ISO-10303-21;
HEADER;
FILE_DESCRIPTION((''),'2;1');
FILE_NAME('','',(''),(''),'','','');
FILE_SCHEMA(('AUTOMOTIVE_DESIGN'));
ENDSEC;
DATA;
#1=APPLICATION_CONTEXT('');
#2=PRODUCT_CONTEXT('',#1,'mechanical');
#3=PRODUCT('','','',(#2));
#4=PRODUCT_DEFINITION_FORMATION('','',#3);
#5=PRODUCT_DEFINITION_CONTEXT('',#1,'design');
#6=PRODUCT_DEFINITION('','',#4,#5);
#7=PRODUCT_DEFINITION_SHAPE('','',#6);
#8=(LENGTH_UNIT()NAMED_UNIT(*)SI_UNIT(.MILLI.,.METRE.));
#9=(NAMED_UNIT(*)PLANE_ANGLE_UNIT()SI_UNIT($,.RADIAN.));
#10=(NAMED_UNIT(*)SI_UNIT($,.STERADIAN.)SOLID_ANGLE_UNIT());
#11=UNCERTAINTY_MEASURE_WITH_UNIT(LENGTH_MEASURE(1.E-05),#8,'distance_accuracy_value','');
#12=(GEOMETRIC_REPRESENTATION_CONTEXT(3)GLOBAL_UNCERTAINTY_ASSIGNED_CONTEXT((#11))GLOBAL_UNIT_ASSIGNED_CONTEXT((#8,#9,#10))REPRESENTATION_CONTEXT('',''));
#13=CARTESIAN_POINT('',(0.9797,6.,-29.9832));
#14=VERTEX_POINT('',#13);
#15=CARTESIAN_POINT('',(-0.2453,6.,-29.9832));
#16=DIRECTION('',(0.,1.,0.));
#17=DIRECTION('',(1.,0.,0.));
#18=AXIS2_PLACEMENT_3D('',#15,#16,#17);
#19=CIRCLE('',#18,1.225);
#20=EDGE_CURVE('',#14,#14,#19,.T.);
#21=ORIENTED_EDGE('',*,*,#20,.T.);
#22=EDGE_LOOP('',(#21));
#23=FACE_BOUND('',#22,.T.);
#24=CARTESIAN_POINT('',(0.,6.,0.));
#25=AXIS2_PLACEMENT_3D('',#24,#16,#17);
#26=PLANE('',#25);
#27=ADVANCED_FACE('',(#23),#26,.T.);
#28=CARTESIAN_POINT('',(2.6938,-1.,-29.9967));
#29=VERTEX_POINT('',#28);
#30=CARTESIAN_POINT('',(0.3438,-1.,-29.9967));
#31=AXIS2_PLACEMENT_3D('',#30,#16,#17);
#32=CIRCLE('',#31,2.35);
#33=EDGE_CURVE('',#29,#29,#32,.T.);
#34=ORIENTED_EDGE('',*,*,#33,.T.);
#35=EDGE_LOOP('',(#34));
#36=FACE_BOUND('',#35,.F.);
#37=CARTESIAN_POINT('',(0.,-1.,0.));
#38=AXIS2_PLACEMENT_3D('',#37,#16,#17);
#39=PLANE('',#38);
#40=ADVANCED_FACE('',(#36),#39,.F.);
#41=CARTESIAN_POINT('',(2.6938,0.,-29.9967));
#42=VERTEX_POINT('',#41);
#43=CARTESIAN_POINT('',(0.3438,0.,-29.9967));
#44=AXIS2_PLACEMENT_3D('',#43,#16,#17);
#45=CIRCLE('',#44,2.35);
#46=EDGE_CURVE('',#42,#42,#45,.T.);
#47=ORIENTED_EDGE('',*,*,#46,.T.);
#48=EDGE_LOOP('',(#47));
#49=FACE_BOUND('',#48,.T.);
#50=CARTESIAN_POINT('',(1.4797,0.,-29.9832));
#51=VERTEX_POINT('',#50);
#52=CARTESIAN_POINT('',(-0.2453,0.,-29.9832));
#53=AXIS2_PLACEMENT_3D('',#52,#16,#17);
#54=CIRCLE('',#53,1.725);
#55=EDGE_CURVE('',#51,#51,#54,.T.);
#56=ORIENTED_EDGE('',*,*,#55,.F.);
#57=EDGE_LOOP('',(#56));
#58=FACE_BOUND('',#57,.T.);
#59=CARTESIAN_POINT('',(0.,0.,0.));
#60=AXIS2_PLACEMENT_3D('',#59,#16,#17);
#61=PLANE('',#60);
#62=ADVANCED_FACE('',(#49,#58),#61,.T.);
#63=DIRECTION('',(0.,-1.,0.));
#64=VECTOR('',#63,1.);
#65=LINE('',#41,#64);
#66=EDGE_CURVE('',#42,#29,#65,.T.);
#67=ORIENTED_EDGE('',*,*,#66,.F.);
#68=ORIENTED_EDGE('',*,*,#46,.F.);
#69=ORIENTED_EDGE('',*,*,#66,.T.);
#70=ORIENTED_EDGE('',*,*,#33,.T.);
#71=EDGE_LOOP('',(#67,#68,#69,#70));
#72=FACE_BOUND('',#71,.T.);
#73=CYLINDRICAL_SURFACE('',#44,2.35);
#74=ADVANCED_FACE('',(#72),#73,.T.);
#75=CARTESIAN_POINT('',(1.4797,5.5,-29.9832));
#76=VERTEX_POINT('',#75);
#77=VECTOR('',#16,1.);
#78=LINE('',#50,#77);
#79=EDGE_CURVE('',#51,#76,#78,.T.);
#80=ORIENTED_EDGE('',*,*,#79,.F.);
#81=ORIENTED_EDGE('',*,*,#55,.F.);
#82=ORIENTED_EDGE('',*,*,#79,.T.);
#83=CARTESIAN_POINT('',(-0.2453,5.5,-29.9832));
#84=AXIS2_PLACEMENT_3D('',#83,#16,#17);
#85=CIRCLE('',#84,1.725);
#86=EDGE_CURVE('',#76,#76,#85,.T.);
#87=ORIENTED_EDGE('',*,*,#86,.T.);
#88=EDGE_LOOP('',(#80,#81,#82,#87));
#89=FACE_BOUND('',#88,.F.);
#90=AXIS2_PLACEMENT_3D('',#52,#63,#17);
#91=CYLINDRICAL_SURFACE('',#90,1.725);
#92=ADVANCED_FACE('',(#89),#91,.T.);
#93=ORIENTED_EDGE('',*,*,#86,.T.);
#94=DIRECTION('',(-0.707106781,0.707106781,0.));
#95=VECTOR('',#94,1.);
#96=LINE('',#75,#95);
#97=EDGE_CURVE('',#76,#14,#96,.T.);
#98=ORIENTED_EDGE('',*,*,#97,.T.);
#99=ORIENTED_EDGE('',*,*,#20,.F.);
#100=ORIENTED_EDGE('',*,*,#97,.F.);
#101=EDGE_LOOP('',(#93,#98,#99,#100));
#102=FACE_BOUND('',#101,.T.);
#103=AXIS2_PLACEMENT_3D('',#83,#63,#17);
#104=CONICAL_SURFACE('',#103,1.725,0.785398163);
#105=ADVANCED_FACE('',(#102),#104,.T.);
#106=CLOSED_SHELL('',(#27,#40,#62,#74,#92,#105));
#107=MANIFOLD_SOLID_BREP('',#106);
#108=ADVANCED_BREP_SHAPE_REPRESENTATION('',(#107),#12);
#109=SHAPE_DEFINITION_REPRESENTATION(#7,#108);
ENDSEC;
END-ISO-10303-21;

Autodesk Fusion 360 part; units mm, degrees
sketch "Sketch1" plane through (0, 0, 0) normal (1, 0, 0) x (0, 0, -1)
  circle A0 centre (0, 0) radius 21.5
  line L0 (19.85, -10.1) -> (-19.85, -10.1)
  line L1 (-19.85, -10.1) -> (-19.85, 10.1)
  line L2 (-19.85, 10.1) -> (19.85, 10.1)
  line L3 (19.85, 10.1) -> (19.85, -10.1)
  line L4 (19.85, -10.1) -> (-19.85, 10.1) construction
  line L5 (-19.85, -10.1) -> (19.85, 10.1) construction
  circle A1 centre (0, 0) radius 24
  line L6 (10.25, -26.5) -> (-10.25, -26.5)
  line L7 (-10.25, -26.5) -> (-10.25, 26.5)
  line L8 (-10.25, 26.5) -> (10.25, 26.5)
  line L9 (10.25, 26.5) -> (10.25, -26.5)
  line L10 (10.25, -26.5) -> (-10.25, 26.5) construction
  line L11 (-10.25, -26.5) -> (10.25, 26.5) construction
  line L12 (-10.25, 16.5) -> (10.25, 16.5)
  line L13 (-10.25, -16.5) -> (10.25, -16.5)
  dimension "CaseInnerDiameter" = 43
  dimension "BatteryLength" = 39.7
  dimension "BatteryWidth" = 20.2
  dimension "CaseWallThickness" = 2.5
  dimension "LugWidth" = 20.5
  dimension "StrapCutout" = 53
  dimension "UpperLugInset" = 10
  dimension "LowerLugInset" = 10
sketch "Sketch19" plane through (0, 0, 0) normal (0, 1, 0) x (1, 0, 0)
  circle A0 centre (-0.2453, 29.9832) radius 1.725
  circle A1 centre (0.3438, 29.9967) radius 2.35
  dimension "d142" = 3.45
  dimension "d145" = 4.7
extrude "Extrude28" add sketch "Sketch19" against normal blind 1 contours A0 | A1 makes body 1
extrude "Extrude27" add sketch "Sketch19" along normal blind 6 separate body contours A0 makes body 2
combine "Combine3" operation add target body 1 tool bodies 2
chamfer "Chamfer9" distance 0.5 angle 45 1 edges at (-1.8536, 6, -29.3595) on bodies 1
equation "StrapCutout = CaseInnerDiameter + 10 mm"
equation "BottomCaseLipChamfer = 1.20 mm"
equation "UpperCaseThickness = 5.77 mm"
